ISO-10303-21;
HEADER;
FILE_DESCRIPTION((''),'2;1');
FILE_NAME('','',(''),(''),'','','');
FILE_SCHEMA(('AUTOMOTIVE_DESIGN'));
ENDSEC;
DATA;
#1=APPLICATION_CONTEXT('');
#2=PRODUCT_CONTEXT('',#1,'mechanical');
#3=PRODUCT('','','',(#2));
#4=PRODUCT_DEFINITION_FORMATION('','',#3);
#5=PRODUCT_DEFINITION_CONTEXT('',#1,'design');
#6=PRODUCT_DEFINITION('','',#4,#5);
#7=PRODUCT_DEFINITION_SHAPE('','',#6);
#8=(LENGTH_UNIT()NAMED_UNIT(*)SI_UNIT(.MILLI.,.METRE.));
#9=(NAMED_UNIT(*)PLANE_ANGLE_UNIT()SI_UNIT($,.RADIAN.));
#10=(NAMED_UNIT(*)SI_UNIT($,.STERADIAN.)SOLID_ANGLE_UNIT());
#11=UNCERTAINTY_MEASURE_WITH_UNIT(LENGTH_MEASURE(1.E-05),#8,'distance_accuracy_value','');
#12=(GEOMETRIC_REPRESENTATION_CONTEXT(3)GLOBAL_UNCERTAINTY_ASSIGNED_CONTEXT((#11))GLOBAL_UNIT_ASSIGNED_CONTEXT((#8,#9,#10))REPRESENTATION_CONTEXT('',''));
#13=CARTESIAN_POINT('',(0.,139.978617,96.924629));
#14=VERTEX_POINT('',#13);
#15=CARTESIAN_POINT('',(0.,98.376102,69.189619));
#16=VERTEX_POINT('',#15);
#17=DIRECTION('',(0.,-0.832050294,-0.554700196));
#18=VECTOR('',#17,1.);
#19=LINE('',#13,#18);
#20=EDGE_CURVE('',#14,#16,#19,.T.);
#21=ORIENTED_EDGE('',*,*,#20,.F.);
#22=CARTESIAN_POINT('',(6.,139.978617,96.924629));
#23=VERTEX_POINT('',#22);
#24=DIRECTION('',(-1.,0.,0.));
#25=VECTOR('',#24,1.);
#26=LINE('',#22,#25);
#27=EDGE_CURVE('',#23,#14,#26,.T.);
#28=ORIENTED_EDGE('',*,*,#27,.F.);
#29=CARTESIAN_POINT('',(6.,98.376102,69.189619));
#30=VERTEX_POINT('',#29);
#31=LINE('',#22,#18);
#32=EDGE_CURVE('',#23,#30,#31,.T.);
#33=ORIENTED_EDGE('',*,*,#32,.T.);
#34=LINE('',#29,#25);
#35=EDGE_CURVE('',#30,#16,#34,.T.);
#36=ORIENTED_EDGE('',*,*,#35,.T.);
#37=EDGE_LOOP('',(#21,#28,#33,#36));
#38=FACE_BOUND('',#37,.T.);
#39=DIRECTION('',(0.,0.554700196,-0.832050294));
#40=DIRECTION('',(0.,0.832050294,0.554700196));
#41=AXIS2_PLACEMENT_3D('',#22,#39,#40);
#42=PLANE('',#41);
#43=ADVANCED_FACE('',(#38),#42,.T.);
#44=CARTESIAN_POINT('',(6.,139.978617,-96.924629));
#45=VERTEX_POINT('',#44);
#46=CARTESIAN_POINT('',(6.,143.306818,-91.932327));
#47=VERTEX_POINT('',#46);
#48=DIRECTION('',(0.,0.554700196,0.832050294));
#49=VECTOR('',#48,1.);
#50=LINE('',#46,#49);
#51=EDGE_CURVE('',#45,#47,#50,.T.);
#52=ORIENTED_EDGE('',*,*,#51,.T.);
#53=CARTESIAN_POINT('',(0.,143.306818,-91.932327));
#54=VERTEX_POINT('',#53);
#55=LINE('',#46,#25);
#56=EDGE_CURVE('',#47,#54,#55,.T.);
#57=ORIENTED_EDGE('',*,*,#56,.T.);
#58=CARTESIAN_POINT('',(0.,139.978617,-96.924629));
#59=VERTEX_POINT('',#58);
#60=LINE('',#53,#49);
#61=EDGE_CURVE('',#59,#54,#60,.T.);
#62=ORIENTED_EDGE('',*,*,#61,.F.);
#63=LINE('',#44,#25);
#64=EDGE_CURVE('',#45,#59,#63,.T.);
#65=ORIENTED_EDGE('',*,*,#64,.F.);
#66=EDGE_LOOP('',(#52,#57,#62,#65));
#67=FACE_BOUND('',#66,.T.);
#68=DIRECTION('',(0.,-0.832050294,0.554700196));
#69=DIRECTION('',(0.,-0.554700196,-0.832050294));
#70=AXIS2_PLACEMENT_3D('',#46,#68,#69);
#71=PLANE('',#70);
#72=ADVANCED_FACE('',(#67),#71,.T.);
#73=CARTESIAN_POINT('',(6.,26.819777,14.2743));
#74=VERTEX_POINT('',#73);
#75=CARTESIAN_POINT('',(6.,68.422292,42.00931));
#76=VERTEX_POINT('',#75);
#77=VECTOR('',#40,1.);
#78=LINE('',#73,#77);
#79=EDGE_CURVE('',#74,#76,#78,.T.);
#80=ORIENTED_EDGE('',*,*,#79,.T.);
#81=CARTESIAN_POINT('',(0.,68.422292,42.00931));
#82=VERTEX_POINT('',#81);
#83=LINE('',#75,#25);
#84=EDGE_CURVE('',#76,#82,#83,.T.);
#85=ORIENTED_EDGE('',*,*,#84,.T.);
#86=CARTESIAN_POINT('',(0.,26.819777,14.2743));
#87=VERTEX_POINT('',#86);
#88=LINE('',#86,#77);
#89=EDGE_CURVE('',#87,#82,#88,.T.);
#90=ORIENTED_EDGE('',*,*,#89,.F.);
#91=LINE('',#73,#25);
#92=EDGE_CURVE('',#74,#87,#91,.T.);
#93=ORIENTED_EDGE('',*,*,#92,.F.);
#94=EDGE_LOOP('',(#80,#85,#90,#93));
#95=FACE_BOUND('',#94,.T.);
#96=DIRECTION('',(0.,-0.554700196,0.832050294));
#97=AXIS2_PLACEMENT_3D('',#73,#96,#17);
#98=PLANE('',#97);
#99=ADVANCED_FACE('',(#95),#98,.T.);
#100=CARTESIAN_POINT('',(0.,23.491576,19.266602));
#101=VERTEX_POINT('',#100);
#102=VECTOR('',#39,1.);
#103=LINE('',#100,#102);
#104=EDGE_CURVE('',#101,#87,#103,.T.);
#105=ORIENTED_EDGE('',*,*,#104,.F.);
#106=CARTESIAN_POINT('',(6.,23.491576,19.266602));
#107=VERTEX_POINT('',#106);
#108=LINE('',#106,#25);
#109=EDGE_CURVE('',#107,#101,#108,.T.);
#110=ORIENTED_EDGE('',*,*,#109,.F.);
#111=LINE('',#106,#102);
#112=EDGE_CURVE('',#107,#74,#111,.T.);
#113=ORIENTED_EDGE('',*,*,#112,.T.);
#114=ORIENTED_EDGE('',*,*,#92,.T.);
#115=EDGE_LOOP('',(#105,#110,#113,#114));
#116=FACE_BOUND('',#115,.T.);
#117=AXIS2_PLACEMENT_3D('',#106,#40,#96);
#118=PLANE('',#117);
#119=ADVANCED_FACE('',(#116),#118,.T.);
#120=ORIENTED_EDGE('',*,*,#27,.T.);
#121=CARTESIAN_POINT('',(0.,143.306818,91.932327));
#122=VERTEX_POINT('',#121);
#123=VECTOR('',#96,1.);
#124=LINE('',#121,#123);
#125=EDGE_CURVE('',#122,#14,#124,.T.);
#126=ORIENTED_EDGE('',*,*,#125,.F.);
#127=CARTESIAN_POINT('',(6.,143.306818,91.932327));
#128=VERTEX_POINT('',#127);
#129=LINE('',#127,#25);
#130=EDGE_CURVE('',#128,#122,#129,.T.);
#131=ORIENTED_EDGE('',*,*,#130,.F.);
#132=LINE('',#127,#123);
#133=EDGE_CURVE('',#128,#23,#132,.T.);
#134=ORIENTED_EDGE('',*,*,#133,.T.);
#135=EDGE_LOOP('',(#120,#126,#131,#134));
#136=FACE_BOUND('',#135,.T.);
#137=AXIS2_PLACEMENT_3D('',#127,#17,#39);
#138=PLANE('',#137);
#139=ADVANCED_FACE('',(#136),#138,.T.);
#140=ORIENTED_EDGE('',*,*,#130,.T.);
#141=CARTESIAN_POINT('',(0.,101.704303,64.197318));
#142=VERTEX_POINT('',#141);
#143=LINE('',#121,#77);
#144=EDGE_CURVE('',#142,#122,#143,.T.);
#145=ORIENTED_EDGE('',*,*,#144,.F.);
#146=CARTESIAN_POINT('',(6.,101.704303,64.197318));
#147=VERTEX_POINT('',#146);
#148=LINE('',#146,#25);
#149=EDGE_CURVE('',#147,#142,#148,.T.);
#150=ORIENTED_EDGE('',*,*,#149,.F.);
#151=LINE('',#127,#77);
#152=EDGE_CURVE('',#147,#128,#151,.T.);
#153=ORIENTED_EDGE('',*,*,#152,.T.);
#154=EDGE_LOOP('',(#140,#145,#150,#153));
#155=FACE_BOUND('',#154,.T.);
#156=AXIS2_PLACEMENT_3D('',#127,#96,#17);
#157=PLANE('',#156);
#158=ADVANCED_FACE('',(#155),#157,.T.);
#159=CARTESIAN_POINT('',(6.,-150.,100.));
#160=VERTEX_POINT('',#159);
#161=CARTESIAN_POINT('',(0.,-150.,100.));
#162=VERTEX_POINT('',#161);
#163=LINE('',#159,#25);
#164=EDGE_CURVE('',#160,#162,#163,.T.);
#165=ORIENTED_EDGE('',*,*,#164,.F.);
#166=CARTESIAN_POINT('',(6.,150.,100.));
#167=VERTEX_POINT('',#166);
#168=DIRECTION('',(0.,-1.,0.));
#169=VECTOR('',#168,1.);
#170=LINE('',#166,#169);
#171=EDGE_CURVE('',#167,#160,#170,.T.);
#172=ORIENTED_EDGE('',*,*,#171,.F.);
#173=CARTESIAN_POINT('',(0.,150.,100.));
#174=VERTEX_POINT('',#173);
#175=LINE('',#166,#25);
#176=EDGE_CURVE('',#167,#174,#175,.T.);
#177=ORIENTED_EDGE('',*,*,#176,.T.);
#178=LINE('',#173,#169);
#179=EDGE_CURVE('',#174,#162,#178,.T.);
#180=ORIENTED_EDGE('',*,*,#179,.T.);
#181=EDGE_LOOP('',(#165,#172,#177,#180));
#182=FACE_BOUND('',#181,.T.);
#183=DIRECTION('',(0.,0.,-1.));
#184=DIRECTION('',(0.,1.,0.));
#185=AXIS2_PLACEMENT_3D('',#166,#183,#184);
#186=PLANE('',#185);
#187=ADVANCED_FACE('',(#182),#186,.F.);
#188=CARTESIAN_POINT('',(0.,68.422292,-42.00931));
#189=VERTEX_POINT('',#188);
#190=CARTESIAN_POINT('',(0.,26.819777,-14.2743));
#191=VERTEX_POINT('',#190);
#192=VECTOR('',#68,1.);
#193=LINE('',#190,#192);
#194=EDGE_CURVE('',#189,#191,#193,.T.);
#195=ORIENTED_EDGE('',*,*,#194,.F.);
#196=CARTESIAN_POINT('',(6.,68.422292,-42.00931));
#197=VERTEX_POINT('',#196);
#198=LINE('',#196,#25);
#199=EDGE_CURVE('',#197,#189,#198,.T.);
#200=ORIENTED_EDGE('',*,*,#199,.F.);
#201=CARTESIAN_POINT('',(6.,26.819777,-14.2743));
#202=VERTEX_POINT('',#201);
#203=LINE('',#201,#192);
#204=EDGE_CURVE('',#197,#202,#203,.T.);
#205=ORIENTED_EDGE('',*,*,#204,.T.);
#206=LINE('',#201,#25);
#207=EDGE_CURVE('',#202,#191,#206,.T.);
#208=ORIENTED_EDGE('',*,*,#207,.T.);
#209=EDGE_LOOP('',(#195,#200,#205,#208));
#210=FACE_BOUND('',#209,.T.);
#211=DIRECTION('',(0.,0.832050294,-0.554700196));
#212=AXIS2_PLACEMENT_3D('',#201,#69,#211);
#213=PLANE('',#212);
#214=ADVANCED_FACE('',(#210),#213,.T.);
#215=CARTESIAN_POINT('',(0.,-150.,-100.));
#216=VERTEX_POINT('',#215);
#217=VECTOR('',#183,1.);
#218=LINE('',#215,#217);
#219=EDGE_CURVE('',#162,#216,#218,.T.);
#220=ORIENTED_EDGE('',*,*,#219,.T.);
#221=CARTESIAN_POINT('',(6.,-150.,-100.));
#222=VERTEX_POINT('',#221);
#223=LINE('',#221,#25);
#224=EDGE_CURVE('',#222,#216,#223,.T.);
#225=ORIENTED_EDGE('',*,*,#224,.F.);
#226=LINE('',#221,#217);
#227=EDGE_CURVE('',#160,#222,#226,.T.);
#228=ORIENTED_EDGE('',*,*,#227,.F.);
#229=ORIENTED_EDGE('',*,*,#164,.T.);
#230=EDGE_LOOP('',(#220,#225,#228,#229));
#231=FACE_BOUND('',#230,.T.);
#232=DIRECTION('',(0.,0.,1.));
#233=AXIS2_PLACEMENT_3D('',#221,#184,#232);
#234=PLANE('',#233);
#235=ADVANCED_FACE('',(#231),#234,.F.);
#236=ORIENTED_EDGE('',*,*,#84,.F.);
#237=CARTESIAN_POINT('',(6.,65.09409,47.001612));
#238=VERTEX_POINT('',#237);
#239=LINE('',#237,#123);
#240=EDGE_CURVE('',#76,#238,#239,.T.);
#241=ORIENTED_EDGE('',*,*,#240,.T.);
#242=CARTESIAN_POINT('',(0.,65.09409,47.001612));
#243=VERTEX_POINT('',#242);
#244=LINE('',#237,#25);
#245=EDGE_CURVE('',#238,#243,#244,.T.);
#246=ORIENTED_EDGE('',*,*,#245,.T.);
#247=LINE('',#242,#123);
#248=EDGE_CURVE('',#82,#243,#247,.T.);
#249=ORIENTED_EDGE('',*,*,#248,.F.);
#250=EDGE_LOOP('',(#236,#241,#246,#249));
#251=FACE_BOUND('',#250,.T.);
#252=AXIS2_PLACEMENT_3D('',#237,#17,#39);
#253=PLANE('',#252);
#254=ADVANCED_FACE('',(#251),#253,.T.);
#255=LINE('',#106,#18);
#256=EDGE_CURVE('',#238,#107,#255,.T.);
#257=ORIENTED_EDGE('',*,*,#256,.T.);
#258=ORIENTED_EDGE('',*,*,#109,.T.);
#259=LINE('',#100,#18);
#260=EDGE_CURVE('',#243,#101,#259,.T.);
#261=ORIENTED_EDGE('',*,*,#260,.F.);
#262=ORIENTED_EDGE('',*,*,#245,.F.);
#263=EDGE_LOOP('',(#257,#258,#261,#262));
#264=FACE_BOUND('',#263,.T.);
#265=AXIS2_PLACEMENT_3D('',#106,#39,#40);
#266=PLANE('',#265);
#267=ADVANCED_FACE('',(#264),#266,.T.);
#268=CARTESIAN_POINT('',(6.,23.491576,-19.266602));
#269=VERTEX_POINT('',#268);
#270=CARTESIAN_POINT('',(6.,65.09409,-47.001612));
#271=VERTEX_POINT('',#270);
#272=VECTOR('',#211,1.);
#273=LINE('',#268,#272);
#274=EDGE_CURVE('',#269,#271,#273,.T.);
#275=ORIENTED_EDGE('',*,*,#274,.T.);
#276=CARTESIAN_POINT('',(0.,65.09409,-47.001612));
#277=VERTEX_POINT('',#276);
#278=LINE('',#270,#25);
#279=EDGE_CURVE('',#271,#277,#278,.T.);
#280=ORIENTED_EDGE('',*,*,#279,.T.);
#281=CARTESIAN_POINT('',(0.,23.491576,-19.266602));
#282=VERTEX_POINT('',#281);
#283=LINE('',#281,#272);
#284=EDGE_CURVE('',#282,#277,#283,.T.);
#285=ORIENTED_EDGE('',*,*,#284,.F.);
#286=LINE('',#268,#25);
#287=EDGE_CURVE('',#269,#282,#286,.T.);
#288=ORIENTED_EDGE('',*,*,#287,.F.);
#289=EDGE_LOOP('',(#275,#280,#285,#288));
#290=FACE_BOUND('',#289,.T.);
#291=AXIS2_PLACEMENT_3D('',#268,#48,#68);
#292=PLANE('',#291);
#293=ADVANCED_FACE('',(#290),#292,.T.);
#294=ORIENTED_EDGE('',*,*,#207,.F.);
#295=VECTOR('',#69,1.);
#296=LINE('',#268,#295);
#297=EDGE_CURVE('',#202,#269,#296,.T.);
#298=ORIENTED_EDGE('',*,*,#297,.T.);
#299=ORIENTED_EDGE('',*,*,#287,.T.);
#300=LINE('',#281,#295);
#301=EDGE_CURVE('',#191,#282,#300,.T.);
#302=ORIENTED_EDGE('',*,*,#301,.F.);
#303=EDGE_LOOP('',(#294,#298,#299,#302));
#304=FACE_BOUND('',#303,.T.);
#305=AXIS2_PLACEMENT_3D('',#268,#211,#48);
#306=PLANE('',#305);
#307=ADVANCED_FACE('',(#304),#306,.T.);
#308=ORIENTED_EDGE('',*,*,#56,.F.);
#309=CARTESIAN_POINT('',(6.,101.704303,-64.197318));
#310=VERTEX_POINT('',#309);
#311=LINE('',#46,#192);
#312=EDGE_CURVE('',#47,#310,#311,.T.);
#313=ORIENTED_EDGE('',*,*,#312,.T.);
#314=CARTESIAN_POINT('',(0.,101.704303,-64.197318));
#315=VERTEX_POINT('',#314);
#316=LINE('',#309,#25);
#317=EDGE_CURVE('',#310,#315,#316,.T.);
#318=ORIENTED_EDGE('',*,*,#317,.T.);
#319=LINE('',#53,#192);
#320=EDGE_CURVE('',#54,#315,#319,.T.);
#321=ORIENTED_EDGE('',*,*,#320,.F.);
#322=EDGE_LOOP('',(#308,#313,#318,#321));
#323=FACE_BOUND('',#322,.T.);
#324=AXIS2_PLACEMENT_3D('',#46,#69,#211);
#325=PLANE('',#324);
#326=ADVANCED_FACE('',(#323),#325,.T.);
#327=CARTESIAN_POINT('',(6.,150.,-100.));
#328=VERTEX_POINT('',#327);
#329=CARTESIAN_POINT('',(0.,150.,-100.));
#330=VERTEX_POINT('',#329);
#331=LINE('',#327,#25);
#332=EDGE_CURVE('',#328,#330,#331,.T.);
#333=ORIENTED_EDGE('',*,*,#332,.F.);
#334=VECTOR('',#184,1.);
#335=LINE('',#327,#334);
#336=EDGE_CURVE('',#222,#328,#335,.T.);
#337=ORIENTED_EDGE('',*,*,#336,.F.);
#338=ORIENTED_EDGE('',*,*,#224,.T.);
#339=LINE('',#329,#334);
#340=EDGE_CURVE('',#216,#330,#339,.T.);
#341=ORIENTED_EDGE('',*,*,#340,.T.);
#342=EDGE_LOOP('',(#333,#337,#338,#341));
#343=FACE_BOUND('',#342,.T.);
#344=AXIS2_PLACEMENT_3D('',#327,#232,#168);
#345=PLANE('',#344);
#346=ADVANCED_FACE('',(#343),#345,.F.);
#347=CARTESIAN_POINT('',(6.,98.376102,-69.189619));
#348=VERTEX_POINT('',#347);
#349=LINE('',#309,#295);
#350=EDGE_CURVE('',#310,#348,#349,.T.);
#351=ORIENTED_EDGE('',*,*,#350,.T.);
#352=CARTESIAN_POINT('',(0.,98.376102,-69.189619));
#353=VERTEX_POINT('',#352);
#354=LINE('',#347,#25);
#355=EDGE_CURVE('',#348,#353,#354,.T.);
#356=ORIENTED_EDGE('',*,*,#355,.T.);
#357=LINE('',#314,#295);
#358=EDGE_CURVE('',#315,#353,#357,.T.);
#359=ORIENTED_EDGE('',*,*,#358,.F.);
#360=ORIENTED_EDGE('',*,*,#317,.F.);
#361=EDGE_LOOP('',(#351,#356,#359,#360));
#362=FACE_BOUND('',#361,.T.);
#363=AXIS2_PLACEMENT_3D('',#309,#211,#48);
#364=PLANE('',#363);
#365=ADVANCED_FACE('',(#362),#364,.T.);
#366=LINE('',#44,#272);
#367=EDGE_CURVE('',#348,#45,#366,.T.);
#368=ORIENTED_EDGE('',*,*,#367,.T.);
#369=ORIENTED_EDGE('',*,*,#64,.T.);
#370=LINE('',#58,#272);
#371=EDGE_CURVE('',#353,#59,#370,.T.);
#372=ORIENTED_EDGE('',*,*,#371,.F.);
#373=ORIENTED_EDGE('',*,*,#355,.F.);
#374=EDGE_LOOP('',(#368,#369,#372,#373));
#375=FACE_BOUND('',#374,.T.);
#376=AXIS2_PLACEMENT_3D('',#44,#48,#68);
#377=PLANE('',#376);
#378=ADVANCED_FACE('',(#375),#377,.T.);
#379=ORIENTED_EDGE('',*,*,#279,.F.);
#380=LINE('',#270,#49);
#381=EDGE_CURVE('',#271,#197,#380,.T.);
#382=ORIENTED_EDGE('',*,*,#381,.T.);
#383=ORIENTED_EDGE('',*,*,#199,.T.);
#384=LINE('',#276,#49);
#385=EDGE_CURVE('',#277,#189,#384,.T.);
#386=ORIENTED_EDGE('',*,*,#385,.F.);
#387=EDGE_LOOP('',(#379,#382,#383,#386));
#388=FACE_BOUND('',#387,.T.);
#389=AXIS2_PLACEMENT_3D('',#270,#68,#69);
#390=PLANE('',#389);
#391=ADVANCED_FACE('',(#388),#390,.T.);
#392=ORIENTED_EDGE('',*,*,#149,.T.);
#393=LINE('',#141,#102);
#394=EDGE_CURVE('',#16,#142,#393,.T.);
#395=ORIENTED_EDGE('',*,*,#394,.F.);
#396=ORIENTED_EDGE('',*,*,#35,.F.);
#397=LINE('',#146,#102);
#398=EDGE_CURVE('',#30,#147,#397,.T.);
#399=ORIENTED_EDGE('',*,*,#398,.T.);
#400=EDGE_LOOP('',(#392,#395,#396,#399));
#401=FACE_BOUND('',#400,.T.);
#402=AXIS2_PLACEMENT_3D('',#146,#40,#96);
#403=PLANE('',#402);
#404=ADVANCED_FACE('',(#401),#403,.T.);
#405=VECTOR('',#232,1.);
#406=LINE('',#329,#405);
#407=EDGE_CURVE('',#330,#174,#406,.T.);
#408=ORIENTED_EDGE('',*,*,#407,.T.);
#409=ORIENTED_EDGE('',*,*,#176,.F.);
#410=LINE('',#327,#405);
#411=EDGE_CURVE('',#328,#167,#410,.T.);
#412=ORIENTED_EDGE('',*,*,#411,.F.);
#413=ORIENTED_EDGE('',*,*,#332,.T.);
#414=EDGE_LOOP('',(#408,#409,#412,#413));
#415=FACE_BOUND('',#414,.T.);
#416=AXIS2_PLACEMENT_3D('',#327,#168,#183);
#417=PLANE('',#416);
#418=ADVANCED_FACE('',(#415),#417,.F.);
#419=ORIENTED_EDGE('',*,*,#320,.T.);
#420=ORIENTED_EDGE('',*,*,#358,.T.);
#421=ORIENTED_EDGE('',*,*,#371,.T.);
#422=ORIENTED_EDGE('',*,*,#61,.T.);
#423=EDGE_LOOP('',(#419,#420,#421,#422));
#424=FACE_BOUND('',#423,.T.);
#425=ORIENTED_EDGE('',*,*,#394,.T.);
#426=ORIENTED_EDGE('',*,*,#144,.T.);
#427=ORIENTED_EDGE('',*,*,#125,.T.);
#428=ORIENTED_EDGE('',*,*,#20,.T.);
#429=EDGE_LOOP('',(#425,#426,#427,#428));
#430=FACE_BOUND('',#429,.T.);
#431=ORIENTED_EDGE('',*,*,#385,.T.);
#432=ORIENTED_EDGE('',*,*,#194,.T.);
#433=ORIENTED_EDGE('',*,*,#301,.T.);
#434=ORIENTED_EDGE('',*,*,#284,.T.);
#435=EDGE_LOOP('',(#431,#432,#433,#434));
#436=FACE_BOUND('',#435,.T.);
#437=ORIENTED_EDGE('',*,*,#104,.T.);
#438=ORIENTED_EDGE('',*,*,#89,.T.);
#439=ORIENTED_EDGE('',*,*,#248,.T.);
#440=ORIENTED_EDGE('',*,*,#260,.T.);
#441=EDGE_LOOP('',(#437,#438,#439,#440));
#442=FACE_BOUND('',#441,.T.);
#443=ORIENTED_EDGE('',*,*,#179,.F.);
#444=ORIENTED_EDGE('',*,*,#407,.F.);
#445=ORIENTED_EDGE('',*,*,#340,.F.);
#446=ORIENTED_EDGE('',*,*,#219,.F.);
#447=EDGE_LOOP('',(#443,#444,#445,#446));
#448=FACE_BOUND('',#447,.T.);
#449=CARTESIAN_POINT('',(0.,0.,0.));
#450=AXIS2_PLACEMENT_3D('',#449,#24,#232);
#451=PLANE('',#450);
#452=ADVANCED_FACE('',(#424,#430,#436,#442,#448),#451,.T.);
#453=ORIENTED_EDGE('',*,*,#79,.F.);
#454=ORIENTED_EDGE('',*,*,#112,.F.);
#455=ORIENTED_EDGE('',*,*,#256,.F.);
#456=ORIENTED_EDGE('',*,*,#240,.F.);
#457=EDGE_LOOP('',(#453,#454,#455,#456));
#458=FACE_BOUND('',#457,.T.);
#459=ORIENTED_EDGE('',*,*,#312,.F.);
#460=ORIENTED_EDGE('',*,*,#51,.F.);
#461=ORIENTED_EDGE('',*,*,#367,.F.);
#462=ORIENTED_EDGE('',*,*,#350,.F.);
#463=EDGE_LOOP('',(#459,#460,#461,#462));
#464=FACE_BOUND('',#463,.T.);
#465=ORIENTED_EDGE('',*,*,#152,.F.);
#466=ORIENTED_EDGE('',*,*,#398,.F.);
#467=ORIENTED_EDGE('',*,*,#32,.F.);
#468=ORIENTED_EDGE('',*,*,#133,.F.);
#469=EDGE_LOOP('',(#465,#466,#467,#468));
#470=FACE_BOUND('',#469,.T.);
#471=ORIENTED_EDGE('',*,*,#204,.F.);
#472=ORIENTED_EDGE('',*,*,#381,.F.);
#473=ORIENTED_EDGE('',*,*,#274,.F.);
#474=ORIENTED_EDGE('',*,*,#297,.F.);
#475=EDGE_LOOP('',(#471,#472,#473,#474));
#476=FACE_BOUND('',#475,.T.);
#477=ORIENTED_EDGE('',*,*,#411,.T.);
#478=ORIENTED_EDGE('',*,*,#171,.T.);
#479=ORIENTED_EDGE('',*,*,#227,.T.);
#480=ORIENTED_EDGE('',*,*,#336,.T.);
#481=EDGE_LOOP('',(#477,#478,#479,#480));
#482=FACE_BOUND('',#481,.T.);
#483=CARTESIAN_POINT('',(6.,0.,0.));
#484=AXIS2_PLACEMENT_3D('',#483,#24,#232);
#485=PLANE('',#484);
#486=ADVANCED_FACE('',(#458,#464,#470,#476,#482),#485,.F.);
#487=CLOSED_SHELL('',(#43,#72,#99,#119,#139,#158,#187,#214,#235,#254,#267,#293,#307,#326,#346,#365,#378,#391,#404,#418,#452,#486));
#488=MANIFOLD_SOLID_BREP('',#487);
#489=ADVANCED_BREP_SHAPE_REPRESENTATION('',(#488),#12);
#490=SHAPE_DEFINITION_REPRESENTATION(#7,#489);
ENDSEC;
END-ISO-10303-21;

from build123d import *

# Parameters (mm, degrees)
SKETCH_1_W      = 200
SKETCH_1_H      = 300
EXTRUDE_1_DEPTH = 6


with BuildPart() as part:
    # Эскиз1 → Бобышка-Вытянуть1 (new body)
    with BuildSketch(Plane(origin=(0, 0, 0), x_dir=(0, 0, -1), z_dir=(1, 0, 0))):
        Rectangle(SKETCH_1_W, SKETCH_1_H)
        Polygon((-91.932327425, 143.306818051), (-96.924629192, 139.978616874), (-69.18961938, 98.376102157), (-64.197317614, 101.704303335), align=None, mode=Mode.SUBTRACT)
        Polygon((-19.26660172, 23.491575667), (-14.274299954, 26.819776844), (-42.009309765, 68.422291561), (-47.001611531, 65.094090384), align=None, mode=Mode.SUBTRACT)
        Polygon((19.26660172, 23.491575667), (47.001611531, 65.094090384), (42.009309765, 68.422291561), (14.274299954, 26.819776844), align=None, mode=Mode.SUBTRACT)
        Polygon((96.924629192, 139.978616874), (69.18961938, 98.376102157), (64.197317614, 101.704303335), (91.932327425, 143.306818051), align=None, mode=Mode.SUBTRACT)
    extrude(amount=EXTRUDE_1_DEPTH)


solid = part.part
